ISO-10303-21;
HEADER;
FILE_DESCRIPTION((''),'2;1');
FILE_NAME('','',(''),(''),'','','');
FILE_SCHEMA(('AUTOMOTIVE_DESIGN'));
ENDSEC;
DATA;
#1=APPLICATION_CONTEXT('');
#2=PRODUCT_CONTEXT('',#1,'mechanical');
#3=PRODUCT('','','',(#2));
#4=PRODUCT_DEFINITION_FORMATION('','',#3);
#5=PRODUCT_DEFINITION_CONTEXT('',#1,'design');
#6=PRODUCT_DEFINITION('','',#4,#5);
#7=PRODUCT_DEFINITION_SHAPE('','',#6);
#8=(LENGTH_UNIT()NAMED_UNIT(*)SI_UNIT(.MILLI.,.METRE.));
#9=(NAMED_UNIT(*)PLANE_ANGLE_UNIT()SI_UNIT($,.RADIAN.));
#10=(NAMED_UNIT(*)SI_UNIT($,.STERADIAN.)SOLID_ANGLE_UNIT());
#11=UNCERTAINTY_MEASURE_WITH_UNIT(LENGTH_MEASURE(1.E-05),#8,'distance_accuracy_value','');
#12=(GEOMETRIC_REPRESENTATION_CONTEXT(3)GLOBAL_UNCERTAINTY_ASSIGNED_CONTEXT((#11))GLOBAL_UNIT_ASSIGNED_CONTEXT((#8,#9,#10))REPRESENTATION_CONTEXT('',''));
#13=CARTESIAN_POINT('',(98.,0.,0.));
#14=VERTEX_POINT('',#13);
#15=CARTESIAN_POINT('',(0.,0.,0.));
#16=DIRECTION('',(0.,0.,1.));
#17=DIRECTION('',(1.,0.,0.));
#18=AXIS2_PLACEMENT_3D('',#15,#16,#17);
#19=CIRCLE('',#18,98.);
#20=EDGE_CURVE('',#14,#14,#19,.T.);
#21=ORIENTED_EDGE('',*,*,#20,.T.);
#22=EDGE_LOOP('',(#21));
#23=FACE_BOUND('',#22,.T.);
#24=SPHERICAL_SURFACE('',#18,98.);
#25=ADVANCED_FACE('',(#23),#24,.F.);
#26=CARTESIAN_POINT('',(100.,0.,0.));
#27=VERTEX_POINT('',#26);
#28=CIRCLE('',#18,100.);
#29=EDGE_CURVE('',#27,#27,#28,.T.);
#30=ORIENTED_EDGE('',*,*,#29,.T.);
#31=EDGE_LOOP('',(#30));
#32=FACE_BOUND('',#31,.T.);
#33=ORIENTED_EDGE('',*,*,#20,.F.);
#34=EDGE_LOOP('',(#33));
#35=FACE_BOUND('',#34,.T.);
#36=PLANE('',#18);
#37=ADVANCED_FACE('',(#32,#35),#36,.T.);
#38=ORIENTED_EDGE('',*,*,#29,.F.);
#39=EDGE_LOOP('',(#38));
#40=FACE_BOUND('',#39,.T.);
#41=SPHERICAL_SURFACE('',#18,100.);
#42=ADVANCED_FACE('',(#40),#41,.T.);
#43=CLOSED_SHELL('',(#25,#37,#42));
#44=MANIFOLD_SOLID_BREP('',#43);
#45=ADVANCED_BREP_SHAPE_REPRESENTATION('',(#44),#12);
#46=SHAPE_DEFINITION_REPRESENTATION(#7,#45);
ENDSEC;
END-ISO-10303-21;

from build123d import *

# Parameters (mm, degrees)
SKETCH_2_R          = 100
CUT_EXTRUDE_1_DEPTH = 101


with BuildPart() as part:
    # 草图1 → 旋转7 (revolve)
    with BuildSketch(Plane.XY):
        with BuildLine():
            Line((0, 100), (0, -100))
            ThreePointArc((0, -100), (100, 0), (0, 100))
        make_face()
    revolve(axis=Axis((0, 100, 0), (0, -1, 0)))

    # 草图3 → 切除-旋转1 (revolve, cut)
    with BuildSketch(Plane.XY):
        with BuildLine():
            Line((0, 98), (0, -98))
            ThreePointArc((0, -98), (98, 0), (0, 98))
        make_face()
    revolve(axis=Axis((0, 98, 0), (0, -1, 0)), mode=Mode.SUBTRACT)

    # 草图2 → 切除-拉伸1 (cut, through all)
    with BuildSketch(Plane.XY):
        Circle(SKETCH_2_R)
    extrude(amount=CUT_EXTRUDE_1_DEPTH, mode=Mode.SUBTRACT)


solid = part.part
